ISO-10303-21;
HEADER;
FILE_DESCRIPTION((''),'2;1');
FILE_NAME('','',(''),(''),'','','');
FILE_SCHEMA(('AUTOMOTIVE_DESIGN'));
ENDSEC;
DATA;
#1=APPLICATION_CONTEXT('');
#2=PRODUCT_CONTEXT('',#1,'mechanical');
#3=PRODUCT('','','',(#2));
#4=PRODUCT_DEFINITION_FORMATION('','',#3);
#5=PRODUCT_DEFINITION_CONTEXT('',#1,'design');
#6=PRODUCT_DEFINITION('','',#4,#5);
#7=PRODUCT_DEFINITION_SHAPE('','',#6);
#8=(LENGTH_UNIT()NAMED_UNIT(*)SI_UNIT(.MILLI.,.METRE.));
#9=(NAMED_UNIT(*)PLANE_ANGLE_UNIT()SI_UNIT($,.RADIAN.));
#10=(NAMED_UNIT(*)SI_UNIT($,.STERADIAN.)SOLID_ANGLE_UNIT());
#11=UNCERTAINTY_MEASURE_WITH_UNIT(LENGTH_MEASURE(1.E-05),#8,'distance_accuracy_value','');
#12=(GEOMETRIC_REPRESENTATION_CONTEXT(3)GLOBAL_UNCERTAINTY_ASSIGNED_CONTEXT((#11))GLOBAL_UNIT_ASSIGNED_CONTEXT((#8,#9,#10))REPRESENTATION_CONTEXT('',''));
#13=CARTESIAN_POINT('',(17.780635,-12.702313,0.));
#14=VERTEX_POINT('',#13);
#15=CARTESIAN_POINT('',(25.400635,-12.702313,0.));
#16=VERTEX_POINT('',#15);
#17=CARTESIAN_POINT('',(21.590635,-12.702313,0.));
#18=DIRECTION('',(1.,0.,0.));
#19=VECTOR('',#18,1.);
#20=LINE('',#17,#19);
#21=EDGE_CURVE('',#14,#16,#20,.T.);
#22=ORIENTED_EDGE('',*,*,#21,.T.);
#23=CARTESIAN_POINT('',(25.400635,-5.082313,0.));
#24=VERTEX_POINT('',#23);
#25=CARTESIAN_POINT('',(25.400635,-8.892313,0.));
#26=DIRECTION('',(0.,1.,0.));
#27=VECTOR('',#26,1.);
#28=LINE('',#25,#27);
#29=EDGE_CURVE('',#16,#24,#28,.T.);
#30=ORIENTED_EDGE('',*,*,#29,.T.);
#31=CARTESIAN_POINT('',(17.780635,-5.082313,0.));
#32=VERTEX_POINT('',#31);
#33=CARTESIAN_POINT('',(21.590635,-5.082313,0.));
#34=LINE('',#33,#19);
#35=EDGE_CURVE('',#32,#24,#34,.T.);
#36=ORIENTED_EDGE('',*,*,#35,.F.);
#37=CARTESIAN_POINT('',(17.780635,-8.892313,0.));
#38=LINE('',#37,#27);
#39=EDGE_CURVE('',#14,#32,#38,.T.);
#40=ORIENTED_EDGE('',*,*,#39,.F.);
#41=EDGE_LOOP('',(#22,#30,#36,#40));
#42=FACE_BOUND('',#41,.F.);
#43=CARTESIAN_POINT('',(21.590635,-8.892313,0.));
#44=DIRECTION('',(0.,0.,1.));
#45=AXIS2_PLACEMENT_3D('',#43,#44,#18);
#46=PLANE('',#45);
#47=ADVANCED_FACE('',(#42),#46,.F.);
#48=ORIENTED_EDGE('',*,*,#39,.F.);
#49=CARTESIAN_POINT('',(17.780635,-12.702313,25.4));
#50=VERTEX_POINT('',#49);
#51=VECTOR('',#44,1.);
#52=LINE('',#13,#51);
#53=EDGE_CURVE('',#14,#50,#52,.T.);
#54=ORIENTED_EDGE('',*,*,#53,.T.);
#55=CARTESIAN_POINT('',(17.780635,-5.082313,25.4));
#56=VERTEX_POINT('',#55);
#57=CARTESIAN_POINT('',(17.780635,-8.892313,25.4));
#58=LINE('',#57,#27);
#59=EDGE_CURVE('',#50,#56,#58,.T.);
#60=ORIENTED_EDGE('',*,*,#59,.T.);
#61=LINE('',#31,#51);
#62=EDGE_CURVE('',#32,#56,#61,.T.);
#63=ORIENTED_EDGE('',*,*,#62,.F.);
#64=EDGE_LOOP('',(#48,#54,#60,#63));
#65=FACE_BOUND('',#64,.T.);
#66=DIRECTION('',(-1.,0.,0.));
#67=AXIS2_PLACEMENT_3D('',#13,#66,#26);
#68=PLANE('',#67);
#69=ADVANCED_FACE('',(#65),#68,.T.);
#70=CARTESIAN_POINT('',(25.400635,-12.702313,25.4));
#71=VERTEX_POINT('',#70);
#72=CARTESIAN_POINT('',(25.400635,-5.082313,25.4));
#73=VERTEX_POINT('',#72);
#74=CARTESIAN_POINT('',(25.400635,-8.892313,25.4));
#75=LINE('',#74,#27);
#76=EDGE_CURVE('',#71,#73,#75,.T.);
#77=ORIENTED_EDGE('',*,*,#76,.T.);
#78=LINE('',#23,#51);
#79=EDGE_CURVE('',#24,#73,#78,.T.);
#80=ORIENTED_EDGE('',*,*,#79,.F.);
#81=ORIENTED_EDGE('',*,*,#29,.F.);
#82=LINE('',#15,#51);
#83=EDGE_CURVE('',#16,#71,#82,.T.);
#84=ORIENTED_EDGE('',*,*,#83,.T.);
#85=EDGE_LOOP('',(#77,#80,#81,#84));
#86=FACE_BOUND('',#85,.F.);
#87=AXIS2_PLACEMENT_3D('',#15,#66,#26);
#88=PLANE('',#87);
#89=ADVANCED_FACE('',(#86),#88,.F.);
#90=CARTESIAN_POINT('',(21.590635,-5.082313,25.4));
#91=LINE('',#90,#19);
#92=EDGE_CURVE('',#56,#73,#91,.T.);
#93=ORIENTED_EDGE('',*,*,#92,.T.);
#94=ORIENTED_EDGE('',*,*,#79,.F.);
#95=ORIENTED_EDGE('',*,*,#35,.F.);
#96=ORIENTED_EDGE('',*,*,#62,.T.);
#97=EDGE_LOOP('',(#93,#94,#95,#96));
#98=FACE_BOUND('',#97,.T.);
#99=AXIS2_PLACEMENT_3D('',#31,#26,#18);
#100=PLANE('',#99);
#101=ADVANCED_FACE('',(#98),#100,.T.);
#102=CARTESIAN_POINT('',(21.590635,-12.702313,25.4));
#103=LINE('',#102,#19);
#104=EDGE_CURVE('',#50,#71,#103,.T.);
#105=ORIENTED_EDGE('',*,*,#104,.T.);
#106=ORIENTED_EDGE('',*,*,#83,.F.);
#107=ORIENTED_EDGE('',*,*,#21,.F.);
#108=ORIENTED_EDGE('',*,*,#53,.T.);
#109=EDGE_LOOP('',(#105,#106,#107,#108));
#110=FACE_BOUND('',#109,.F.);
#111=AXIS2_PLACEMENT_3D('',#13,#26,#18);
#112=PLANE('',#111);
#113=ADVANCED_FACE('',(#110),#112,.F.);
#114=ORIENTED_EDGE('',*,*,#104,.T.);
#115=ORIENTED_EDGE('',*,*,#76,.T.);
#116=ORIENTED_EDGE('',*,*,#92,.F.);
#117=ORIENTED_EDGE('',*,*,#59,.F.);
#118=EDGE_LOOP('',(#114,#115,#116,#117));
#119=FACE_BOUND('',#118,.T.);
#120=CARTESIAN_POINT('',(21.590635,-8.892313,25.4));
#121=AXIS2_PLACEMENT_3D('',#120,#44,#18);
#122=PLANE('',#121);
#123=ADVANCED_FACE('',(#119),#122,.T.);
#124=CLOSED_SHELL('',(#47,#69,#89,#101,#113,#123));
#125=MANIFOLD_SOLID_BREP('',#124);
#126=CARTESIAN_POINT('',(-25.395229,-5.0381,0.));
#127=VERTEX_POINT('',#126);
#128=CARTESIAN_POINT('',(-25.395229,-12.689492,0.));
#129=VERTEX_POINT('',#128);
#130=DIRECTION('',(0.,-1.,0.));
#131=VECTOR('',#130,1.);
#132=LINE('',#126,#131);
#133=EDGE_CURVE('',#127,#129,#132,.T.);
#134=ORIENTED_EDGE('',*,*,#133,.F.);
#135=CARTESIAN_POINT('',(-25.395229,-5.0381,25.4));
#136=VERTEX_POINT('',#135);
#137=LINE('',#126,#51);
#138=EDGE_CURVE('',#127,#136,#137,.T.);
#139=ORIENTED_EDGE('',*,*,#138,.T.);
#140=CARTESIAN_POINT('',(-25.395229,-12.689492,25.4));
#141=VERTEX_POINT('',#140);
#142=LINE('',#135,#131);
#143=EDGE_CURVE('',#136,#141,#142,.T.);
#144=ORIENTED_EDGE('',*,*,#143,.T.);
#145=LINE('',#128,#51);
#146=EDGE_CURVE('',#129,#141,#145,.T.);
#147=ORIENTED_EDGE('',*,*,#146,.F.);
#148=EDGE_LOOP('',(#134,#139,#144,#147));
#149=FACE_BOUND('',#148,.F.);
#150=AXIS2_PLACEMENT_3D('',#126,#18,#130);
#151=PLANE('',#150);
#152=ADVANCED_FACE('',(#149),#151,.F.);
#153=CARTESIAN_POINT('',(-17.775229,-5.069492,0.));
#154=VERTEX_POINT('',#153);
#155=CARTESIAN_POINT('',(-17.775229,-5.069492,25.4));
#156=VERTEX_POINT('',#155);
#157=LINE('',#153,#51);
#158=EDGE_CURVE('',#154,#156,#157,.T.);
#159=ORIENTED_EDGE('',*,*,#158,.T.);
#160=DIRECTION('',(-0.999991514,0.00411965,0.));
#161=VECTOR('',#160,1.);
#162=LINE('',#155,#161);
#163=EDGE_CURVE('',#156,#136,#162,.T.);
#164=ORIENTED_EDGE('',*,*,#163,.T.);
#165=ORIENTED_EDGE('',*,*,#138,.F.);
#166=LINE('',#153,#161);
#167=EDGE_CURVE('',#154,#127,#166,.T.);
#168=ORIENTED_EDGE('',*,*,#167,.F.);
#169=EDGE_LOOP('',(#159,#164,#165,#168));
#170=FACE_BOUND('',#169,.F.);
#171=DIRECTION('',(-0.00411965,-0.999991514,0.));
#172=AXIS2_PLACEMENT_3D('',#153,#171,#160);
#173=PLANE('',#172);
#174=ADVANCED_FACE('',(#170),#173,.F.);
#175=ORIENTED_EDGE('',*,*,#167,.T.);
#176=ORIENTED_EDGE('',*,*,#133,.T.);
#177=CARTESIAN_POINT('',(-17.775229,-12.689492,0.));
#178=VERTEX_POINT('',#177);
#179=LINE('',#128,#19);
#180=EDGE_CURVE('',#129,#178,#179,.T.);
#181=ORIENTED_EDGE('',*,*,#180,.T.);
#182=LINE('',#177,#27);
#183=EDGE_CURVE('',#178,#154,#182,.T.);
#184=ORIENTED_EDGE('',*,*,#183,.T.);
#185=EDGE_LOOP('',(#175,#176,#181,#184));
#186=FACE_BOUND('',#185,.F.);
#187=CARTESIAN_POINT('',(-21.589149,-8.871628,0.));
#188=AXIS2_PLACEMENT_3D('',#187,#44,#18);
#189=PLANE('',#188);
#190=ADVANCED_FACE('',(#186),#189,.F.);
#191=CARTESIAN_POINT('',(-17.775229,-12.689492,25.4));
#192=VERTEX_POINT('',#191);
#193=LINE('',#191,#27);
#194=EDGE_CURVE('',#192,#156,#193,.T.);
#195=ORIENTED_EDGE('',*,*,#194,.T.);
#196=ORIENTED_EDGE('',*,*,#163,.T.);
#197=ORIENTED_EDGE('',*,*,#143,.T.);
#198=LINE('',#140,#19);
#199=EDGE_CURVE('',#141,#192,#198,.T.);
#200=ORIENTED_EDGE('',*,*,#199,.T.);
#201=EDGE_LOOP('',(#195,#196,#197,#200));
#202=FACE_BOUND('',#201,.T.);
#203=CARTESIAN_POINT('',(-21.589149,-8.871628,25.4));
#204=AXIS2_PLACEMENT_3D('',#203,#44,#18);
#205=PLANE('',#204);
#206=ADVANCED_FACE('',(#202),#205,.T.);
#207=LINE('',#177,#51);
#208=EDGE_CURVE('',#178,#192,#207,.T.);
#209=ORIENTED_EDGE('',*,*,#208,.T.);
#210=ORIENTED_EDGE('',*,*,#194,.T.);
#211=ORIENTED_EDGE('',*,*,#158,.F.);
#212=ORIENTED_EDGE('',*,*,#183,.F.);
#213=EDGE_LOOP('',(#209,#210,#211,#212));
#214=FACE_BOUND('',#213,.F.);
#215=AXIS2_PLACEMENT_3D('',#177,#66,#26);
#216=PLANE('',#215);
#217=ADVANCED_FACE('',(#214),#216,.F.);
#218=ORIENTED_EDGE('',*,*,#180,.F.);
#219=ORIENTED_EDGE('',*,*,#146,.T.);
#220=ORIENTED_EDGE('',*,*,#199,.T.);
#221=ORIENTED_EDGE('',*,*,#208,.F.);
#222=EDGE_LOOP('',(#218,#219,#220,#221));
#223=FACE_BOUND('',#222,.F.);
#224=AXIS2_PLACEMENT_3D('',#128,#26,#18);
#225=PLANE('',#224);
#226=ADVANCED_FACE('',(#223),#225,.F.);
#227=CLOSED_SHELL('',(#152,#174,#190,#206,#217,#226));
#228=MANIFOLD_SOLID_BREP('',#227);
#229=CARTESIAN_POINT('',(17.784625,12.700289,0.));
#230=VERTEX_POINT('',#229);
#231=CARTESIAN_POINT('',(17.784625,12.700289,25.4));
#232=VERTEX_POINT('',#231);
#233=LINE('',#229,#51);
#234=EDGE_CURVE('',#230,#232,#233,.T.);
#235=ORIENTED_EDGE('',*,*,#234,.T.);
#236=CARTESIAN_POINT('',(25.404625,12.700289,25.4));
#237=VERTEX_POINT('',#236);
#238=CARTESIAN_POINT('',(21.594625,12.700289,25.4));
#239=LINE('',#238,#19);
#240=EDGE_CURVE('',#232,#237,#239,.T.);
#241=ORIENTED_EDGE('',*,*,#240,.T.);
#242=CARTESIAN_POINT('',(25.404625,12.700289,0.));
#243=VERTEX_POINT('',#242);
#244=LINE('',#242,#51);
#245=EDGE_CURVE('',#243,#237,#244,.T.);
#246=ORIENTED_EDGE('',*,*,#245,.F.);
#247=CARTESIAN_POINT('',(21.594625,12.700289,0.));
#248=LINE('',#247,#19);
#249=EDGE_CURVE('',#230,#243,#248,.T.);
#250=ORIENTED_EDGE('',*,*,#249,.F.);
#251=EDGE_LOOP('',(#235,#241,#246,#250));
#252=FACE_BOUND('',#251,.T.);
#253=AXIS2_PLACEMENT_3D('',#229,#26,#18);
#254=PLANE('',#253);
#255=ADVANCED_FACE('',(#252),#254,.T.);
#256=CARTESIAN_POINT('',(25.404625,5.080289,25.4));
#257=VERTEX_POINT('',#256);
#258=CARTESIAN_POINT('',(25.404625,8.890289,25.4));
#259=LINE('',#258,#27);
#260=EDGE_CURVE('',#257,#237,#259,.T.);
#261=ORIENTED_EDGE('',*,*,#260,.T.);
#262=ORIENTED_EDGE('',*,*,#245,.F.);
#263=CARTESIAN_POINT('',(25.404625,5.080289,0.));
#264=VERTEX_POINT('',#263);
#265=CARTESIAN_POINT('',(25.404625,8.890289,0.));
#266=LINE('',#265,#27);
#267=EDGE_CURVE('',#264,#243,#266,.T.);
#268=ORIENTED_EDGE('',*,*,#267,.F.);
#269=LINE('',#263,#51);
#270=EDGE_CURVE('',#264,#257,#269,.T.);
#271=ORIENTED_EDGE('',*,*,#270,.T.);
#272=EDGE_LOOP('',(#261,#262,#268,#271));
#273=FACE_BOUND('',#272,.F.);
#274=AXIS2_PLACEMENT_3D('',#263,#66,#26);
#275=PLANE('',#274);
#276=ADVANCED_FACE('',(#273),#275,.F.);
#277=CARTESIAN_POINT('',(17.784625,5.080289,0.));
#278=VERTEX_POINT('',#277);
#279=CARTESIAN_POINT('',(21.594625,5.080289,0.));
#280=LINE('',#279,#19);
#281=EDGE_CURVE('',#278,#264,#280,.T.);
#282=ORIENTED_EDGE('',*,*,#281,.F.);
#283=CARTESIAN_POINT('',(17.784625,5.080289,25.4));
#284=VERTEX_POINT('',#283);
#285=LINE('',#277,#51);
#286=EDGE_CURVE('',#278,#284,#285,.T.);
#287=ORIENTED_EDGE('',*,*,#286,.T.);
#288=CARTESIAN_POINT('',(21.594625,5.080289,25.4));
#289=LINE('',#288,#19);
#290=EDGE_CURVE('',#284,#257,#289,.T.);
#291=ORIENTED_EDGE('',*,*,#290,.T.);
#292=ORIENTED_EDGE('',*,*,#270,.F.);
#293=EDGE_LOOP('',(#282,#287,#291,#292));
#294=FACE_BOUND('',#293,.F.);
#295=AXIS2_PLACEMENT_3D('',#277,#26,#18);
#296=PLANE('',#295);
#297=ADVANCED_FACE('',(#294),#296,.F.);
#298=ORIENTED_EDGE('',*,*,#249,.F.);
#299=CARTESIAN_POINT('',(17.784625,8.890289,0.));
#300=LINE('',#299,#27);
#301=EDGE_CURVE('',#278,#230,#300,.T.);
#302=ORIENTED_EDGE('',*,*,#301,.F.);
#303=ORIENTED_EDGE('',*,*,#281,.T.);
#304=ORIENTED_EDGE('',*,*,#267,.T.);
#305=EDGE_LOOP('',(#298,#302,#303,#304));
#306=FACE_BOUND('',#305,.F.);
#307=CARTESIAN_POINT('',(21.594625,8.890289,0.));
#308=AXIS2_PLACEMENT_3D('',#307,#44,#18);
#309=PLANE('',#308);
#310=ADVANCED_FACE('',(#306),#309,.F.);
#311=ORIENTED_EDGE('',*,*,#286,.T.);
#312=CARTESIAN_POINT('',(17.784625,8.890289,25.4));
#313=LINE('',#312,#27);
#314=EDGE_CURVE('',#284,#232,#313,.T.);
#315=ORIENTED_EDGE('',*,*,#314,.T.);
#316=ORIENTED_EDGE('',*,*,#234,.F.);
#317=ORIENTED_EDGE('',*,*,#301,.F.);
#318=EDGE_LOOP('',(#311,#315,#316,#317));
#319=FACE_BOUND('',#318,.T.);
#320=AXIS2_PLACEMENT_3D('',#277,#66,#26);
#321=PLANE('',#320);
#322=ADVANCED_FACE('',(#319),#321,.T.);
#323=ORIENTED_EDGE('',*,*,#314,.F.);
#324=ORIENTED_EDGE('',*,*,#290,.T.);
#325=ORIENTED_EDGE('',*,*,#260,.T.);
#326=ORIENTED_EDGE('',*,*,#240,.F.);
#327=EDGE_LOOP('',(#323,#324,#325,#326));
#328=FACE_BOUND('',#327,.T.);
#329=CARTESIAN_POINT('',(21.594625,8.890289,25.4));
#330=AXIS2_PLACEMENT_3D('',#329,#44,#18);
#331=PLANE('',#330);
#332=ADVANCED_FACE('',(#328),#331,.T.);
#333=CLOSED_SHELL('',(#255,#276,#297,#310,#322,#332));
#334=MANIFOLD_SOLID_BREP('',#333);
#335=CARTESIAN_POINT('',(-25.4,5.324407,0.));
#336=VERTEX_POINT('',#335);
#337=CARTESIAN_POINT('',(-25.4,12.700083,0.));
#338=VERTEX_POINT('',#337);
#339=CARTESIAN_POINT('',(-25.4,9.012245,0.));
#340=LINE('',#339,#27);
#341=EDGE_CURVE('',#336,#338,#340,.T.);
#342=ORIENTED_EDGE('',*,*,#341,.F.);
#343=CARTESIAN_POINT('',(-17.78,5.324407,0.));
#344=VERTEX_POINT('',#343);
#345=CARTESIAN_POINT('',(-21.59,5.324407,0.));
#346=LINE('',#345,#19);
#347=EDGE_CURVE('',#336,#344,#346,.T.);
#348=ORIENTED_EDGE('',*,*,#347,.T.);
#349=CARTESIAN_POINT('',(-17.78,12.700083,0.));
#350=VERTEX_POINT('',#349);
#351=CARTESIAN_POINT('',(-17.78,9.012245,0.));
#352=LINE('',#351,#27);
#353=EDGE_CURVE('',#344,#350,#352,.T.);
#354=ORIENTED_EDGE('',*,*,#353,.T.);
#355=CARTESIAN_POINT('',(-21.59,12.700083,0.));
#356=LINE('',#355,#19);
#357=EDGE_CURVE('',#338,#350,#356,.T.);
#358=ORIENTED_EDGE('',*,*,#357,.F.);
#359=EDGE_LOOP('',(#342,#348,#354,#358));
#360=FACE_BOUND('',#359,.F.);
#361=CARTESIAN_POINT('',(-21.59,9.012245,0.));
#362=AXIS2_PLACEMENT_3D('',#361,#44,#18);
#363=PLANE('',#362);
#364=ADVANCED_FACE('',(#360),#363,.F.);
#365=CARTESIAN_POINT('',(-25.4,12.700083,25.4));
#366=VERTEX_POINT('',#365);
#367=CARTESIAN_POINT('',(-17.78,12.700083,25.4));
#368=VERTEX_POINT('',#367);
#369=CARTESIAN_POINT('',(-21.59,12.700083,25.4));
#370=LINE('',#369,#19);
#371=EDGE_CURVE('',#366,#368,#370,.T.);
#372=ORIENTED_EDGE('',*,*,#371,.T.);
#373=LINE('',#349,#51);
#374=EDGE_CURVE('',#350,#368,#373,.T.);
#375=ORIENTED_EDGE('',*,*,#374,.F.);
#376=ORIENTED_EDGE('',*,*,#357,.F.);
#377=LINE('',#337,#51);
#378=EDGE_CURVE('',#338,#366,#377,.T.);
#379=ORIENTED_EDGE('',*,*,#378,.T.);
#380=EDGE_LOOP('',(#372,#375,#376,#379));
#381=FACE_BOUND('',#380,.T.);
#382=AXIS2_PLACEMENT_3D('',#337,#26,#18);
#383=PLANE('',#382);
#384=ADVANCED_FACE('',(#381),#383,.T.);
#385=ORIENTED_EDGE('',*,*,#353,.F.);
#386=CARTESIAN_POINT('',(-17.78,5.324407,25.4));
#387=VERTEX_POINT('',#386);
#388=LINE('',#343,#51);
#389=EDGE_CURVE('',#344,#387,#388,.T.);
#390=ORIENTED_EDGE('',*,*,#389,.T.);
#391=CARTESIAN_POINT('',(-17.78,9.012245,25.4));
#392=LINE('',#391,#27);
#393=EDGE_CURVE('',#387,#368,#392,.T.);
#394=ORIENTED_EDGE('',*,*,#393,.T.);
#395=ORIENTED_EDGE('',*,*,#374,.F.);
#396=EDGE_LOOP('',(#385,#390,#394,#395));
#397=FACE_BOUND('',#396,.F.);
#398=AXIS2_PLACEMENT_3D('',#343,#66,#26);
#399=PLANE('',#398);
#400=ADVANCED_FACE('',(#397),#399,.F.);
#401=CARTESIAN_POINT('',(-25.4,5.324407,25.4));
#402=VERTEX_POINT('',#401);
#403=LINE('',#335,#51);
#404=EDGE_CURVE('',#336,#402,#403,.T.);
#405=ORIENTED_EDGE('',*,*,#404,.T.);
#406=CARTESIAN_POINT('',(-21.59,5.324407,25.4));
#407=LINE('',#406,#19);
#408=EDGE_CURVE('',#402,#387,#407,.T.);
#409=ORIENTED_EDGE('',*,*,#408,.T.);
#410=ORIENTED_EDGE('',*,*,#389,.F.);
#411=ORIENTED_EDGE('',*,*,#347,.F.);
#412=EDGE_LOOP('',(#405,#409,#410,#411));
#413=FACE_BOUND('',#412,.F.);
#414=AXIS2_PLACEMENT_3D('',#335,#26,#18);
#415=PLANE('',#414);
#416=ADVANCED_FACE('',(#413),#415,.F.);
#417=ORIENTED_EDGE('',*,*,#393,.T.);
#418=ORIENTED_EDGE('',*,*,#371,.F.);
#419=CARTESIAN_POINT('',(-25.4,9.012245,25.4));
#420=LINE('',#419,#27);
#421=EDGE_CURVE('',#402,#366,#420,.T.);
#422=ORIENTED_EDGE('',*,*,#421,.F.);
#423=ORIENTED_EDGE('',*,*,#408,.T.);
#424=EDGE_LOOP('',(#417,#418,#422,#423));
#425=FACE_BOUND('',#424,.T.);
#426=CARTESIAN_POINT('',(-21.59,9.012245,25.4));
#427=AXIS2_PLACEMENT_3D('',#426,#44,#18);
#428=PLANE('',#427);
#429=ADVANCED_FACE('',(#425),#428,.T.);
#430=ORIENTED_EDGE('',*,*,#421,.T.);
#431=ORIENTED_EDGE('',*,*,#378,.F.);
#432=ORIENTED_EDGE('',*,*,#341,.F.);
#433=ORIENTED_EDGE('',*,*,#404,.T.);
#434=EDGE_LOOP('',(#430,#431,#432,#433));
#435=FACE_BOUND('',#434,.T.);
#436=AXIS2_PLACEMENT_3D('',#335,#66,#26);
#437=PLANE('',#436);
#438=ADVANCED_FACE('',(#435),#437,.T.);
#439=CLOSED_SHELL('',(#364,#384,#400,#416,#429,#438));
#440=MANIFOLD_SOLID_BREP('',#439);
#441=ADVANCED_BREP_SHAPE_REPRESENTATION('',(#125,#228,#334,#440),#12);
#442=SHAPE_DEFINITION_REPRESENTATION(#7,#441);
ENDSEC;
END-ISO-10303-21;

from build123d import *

# Parameters (mm, degrees)
F0_W     = 7.62
F0_H     = 7.375676
F0_H_2   = 7.62
F1_DEPTH = 25.4


with BuildPart() as f1:
    # F0 (on Top) → F1 (new body)
    with BuildSketch(Plane.XY):
        Polygon((-25.395229, -12.689492), (-17.775229, -12.689492), (-17.775229, -5.069492), (-25.395229, -5.0381), align=None)
        with Locations((-21.59, 9.012245)):
            Rectangle(F0_W, F0_H)
        with Locations((21.594625, 8.890289)):
            Rectangle(F0_W, F0_H_2)
        with Locations((21.590635, -8.892313)):
            Rectangle(F0_W, F0_H_2)
    extrude(amount=F1_DEPTH)


solid = f1.part
